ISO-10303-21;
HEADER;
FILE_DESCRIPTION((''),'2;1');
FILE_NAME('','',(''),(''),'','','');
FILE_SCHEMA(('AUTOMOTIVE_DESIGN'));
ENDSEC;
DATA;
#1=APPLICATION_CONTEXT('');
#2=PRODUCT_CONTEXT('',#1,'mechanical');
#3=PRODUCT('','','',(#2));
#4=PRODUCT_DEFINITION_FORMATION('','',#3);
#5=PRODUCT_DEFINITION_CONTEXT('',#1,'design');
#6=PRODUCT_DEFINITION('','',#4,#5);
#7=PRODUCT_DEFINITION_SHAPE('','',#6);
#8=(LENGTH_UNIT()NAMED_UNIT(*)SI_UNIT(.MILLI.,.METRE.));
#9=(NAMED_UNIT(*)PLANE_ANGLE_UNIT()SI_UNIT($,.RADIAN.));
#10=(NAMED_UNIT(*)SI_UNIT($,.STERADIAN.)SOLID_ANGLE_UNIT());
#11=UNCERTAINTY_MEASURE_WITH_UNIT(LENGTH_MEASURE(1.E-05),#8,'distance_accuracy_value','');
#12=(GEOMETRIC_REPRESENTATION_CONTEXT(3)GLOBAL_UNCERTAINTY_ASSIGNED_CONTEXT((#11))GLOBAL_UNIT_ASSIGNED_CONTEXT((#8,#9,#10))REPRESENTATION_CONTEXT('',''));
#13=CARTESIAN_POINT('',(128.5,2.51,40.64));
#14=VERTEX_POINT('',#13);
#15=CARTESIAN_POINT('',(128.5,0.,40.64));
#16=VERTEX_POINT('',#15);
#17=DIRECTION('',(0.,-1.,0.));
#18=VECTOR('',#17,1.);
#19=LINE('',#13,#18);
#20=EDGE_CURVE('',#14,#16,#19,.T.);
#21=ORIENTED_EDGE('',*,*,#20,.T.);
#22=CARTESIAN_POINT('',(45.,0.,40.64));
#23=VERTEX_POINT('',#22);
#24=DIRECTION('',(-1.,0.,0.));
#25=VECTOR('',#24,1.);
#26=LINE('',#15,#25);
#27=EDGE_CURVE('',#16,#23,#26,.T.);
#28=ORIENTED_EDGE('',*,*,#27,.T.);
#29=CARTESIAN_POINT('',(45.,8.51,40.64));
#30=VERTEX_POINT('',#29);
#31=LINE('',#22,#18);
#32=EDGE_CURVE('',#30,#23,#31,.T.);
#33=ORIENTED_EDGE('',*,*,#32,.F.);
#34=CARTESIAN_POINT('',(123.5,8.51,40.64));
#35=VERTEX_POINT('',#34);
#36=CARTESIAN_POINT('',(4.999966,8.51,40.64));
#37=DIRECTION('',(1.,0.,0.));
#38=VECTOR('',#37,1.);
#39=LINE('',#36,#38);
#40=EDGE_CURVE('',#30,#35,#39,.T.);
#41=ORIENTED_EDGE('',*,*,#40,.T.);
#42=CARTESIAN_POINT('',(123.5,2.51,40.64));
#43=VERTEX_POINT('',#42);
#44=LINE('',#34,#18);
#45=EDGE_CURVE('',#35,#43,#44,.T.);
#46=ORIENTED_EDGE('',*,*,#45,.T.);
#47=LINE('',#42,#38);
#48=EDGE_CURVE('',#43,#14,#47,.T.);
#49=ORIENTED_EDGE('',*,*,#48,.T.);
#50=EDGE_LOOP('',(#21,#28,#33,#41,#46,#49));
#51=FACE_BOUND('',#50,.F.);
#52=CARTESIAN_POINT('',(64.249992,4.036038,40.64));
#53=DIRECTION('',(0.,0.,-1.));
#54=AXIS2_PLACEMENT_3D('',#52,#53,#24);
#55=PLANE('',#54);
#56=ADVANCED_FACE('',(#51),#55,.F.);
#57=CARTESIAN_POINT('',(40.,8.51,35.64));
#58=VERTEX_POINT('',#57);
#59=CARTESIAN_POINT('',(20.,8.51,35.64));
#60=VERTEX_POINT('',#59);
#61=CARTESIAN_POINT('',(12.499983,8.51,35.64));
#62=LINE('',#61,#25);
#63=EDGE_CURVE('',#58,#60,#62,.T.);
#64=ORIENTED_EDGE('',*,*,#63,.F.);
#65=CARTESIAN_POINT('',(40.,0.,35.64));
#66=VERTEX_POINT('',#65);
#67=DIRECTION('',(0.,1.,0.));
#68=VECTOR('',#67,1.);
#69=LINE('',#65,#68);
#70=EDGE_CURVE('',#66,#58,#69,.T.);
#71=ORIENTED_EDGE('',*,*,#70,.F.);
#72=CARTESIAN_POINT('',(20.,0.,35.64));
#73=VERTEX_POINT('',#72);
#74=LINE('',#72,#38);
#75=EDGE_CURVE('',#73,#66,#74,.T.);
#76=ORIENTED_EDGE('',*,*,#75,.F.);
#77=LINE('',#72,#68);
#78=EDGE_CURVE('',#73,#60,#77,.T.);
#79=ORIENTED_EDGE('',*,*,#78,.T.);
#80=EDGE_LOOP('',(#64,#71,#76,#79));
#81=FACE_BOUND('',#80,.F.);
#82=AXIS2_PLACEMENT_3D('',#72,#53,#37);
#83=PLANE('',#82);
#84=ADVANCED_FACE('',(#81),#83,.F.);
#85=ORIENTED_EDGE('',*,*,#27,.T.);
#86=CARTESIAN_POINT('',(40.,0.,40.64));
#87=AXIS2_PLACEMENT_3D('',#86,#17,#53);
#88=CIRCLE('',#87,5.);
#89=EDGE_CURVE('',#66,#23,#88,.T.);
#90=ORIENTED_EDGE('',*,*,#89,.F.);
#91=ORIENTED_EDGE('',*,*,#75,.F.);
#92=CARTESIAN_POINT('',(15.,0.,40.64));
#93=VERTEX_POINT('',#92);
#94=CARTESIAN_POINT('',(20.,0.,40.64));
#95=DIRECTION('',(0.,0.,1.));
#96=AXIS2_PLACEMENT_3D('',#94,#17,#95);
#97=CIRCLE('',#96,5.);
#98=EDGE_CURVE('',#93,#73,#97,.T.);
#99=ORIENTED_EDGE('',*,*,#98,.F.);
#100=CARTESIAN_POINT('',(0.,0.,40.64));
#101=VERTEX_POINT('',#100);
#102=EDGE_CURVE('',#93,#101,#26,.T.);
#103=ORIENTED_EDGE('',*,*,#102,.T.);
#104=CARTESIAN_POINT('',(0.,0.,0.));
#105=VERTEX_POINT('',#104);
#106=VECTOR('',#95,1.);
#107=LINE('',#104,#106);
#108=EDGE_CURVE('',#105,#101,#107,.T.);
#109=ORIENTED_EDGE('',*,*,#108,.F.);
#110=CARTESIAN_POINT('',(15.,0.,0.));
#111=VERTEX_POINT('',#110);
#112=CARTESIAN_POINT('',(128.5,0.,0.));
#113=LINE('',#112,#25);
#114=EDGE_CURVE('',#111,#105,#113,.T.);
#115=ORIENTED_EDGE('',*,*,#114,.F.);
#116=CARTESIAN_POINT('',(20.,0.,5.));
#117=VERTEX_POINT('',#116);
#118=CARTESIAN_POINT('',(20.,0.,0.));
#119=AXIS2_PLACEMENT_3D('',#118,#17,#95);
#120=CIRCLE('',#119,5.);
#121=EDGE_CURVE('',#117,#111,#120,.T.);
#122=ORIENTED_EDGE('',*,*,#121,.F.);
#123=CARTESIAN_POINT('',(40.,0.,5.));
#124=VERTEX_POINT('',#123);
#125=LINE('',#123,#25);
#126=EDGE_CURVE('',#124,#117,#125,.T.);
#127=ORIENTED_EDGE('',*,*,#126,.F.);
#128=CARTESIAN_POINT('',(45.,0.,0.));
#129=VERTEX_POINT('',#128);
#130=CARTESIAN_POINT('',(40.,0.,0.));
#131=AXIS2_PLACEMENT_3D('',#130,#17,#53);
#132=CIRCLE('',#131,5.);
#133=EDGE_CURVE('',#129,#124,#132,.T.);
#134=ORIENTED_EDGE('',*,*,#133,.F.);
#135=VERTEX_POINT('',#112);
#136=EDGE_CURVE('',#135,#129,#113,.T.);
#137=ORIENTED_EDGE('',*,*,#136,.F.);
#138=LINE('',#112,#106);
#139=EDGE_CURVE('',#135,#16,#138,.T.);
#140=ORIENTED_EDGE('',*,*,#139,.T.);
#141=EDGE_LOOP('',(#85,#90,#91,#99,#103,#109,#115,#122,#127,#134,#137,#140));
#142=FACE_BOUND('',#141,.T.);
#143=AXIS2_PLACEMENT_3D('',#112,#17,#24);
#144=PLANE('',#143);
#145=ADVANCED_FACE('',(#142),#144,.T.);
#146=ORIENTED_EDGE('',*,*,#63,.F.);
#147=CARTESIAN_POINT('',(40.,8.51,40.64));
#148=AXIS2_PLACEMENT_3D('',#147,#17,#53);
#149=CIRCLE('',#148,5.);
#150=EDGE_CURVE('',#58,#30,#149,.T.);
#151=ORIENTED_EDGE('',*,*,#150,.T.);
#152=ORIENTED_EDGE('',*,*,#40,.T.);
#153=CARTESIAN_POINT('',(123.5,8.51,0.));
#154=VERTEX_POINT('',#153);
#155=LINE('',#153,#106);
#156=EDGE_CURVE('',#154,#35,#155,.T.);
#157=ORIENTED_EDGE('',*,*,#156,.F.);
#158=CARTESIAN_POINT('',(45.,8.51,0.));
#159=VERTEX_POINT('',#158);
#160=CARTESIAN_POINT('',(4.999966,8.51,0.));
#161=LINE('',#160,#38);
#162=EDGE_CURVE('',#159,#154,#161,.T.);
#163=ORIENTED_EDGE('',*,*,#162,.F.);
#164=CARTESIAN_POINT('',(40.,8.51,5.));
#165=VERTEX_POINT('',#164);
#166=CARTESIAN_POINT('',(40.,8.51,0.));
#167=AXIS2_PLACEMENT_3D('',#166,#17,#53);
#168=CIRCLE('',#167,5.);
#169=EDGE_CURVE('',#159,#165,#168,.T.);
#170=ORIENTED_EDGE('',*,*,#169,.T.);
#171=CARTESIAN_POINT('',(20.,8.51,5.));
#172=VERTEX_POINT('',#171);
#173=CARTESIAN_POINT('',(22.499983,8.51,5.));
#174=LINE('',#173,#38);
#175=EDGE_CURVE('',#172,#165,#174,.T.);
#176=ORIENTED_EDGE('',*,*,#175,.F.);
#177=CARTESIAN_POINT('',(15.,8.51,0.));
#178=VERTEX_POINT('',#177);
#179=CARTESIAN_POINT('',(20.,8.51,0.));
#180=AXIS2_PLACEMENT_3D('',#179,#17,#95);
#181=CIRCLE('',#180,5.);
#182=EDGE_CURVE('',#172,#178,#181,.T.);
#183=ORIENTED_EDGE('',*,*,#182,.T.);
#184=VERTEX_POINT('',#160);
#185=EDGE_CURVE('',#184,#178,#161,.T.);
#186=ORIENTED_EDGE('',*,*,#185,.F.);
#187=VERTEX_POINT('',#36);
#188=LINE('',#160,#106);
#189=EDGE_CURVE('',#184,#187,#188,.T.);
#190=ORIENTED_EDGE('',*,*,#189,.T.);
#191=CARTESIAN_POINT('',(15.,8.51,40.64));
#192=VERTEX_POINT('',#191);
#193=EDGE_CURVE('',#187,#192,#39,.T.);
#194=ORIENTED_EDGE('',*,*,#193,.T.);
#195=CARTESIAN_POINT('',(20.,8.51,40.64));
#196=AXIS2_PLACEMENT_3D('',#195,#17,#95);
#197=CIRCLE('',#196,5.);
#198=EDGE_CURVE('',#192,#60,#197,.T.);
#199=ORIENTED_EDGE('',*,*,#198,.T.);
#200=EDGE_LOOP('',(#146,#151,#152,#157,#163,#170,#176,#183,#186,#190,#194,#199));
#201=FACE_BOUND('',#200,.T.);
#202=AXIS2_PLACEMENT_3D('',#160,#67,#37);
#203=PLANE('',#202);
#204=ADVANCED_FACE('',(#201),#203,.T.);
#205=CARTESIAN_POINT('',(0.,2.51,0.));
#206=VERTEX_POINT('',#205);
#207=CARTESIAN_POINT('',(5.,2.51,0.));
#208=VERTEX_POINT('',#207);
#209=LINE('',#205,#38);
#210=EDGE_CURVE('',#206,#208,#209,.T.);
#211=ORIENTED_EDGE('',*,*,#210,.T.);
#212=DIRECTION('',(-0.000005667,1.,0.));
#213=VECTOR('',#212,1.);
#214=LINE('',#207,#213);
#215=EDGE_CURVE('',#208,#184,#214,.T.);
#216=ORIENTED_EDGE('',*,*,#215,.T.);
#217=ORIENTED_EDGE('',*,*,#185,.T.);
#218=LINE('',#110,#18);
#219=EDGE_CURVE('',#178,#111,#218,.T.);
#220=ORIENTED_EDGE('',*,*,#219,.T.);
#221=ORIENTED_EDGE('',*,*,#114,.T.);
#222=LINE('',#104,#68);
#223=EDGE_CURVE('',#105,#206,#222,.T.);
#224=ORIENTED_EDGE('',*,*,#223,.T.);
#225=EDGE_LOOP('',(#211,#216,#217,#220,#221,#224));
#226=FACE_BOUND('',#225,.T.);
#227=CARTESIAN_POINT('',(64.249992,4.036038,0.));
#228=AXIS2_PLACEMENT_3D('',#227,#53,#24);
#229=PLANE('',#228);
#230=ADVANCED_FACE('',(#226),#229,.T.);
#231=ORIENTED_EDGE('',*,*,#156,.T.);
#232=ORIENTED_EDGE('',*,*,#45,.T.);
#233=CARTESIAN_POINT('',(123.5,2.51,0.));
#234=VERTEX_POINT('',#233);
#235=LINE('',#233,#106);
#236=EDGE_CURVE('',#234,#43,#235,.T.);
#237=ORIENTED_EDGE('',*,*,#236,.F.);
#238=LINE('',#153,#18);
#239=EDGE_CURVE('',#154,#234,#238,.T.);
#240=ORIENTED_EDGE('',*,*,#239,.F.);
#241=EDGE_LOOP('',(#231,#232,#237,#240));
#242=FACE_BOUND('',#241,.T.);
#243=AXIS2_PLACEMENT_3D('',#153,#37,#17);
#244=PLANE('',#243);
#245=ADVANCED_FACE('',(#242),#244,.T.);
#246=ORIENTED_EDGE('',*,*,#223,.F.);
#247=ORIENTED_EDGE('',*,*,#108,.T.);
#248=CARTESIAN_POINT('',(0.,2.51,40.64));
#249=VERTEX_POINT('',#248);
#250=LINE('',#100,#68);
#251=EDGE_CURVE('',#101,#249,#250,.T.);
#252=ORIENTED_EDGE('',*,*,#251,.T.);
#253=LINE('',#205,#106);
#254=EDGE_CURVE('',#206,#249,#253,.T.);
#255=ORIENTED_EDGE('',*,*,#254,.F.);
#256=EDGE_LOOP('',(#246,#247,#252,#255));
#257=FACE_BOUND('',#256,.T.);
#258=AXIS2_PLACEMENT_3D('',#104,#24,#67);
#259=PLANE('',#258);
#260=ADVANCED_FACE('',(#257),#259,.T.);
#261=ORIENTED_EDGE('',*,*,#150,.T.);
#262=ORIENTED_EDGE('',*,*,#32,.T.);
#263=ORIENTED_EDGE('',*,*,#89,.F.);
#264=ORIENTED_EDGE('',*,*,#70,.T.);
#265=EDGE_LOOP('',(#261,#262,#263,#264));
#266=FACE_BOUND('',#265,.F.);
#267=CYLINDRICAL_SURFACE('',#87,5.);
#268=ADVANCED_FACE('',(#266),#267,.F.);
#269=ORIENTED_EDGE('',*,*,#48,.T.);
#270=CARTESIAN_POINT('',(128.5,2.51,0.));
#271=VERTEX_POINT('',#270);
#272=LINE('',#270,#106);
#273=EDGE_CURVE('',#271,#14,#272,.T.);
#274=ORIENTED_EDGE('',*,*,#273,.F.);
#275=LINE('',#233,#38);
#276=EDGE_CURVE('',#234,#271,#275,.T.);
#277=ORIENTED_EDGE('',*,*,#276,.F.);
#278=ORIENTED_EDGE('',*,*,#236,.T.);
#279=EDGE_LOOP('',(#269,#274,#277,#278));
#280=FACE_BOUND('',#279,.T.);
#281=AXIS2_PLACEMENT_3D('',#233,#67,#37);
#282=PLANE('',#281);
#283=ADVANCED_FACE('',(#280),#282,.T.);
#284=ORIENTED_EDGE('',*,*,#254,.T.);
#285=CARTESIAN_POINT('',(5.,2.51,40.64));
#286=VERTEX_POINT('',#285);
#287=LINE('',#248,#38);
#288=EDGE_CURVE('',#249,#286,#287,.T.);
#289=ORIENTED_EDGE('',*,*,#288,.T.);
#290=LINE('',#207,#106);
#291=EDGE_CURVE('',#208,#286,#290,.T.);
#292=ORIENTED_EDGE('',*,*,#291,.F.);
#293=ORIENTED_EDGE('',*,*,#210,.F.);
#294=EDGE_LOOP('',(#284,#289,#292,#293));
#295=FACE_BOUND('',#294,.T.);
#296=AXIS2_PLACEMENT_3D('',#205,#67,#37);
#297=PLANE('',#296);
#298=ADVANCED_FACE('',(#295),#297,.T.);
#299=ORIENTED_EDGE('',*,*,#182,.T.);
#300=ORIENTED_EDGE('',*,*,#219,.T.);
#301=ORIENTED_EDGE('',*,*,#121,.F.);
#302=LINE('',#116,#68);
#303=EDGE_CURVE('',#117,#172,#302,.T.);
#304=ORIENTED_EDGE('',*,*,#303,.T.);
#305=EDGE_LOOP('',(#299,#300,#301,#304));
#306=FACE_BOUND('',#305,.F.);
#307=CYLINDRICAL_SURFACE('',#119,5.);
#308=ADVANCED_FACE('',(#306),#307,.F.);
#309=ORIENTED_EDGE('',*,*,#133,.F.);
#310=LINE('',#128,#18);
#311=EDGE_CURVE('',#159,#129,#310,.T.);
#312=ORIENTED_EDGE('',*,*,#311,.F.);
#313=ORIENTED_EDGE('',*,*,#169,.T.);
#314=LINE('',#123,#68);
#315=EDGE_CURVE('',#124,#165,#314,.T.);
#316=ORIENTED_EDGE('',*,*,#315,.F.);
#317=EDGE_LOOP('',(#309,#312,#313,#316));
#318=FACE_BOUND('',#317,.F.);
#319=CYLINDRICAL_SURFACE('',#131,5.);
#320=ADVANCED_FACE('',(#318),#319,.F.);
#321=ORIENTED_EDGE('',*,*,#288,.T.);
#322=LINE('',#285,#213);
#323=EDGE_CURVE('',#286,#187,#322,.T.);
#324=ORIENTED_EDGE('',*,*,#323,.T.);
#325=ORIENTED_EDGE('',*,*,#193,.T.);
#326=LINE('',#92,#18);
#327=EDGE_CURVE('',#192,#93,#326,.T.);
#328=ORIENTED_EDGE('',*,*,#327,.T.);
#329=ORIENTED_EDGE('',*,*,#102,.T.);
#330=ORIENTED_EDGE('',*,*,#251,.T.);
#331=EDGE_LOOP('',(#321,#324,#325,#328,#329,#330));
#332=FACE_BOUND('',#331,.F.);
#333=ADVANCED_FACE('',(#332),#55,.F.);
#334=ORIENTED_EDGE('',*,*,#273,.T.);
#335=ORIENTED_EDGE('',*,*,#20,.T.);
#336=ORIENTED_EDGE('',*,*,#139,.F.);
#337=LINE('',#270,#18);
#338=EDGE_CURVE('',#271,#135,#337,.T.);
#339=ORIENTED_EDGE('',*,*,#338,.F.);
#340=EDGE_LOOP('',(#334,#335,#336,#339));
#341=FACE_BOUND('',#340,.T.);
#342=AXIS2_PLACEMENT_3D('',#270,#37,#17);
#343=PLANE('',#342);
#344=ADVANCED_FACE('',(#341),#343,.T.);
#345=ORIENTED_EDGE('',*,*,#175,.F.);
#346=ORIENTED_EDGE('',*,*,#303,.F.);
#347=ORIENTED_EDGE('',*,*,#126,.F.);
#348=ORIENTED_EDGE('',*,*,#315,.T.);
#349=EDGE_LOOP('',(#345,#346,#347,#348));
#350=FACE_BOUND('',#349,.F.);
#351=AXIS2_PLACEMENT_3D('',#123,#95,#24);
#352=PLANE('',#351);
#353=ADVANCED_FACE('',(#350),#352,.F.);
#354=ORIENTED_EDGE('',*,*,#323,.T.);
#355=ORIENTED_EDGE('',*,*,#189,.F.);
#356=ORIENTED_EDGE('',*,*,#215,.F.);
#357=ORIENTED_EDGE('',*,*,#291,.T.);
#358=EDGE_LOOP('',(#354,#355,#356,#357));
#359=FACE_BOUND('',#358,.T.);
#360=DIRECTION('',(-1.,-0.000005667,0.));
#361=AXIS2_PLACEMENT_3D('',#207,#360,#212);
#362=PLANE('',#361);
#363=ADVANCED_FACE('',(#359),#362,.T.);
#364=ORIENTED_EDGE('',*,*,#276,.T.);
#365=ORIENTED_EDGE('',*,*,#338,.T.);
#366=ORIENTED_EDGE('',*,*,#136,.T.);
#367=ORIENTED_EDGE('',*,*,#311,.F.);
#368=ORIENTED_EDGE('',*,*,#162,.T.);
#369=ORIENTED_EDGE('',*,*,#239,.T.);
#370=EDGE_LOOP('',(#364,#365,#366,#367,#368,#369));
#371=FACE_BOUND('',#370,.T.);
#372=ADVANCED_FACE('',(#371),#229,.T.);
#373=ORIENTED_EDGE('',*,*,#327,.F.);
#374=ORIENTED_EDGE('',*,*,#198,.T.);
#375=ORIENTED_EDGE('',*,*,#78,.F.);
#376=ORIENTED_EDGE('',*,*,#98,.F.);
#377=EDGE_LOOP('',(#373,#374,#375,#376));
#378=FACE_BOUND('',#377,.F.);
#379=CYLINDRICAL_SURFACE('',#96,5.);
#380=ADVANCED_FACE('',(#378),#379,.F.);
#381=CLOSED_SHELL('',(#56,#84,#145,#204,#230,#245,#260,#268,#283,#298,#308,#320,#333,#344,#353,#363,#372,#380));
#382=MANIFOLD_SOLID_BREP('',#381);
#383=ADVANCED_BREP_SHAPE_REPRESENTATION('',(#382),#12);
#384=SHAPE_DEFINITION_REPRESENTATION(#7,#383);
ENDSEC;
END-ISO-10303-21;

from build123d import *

# Parameters (mm, degrees)
PAD_DEPTH    = 40.64
POCKET_DEPTH = 21


with BuildPart() as part:
    # Sketch → Pad (new body)
    with BuildSketch(Plane.XY):
        Polygon((0, 0), (0, 2.51), (5, 2.51), (4.999966, 8.51), (123.5, 8.51), (123.5, 2.51), (128.5, 2.51), (128.5, 0), align=None)
    extrude(amount=PAD_DEPTH)

    # Sketch002 → Pocket (cut)
    with BuildSketch(Plane.XZ):
        with BuildLine():
            ThreePointArc((20, 5), (15, 0), (20, -5))
            Line((20, -5), (40, -5))
            ThreePointArc((40, -5), (45, 0), (40, 5))
            Line((40, 5), (20, 5))
        make_face()
        with BuildLine():
            ThreePointArc((20, 45.64), (15, 40.64), (20, 35.64))
            Line((20, 35.64), (40, 35.64))
            ThreePointArc((40, 35.64), (45, 40.64), (40, 45.64))
            Line((40, 45.64), (20, 45.64))
        make_face()
    extrude(amount=-POCKET_DEPTH, mode=Mode.SUBTRACT)


solid = part.part
